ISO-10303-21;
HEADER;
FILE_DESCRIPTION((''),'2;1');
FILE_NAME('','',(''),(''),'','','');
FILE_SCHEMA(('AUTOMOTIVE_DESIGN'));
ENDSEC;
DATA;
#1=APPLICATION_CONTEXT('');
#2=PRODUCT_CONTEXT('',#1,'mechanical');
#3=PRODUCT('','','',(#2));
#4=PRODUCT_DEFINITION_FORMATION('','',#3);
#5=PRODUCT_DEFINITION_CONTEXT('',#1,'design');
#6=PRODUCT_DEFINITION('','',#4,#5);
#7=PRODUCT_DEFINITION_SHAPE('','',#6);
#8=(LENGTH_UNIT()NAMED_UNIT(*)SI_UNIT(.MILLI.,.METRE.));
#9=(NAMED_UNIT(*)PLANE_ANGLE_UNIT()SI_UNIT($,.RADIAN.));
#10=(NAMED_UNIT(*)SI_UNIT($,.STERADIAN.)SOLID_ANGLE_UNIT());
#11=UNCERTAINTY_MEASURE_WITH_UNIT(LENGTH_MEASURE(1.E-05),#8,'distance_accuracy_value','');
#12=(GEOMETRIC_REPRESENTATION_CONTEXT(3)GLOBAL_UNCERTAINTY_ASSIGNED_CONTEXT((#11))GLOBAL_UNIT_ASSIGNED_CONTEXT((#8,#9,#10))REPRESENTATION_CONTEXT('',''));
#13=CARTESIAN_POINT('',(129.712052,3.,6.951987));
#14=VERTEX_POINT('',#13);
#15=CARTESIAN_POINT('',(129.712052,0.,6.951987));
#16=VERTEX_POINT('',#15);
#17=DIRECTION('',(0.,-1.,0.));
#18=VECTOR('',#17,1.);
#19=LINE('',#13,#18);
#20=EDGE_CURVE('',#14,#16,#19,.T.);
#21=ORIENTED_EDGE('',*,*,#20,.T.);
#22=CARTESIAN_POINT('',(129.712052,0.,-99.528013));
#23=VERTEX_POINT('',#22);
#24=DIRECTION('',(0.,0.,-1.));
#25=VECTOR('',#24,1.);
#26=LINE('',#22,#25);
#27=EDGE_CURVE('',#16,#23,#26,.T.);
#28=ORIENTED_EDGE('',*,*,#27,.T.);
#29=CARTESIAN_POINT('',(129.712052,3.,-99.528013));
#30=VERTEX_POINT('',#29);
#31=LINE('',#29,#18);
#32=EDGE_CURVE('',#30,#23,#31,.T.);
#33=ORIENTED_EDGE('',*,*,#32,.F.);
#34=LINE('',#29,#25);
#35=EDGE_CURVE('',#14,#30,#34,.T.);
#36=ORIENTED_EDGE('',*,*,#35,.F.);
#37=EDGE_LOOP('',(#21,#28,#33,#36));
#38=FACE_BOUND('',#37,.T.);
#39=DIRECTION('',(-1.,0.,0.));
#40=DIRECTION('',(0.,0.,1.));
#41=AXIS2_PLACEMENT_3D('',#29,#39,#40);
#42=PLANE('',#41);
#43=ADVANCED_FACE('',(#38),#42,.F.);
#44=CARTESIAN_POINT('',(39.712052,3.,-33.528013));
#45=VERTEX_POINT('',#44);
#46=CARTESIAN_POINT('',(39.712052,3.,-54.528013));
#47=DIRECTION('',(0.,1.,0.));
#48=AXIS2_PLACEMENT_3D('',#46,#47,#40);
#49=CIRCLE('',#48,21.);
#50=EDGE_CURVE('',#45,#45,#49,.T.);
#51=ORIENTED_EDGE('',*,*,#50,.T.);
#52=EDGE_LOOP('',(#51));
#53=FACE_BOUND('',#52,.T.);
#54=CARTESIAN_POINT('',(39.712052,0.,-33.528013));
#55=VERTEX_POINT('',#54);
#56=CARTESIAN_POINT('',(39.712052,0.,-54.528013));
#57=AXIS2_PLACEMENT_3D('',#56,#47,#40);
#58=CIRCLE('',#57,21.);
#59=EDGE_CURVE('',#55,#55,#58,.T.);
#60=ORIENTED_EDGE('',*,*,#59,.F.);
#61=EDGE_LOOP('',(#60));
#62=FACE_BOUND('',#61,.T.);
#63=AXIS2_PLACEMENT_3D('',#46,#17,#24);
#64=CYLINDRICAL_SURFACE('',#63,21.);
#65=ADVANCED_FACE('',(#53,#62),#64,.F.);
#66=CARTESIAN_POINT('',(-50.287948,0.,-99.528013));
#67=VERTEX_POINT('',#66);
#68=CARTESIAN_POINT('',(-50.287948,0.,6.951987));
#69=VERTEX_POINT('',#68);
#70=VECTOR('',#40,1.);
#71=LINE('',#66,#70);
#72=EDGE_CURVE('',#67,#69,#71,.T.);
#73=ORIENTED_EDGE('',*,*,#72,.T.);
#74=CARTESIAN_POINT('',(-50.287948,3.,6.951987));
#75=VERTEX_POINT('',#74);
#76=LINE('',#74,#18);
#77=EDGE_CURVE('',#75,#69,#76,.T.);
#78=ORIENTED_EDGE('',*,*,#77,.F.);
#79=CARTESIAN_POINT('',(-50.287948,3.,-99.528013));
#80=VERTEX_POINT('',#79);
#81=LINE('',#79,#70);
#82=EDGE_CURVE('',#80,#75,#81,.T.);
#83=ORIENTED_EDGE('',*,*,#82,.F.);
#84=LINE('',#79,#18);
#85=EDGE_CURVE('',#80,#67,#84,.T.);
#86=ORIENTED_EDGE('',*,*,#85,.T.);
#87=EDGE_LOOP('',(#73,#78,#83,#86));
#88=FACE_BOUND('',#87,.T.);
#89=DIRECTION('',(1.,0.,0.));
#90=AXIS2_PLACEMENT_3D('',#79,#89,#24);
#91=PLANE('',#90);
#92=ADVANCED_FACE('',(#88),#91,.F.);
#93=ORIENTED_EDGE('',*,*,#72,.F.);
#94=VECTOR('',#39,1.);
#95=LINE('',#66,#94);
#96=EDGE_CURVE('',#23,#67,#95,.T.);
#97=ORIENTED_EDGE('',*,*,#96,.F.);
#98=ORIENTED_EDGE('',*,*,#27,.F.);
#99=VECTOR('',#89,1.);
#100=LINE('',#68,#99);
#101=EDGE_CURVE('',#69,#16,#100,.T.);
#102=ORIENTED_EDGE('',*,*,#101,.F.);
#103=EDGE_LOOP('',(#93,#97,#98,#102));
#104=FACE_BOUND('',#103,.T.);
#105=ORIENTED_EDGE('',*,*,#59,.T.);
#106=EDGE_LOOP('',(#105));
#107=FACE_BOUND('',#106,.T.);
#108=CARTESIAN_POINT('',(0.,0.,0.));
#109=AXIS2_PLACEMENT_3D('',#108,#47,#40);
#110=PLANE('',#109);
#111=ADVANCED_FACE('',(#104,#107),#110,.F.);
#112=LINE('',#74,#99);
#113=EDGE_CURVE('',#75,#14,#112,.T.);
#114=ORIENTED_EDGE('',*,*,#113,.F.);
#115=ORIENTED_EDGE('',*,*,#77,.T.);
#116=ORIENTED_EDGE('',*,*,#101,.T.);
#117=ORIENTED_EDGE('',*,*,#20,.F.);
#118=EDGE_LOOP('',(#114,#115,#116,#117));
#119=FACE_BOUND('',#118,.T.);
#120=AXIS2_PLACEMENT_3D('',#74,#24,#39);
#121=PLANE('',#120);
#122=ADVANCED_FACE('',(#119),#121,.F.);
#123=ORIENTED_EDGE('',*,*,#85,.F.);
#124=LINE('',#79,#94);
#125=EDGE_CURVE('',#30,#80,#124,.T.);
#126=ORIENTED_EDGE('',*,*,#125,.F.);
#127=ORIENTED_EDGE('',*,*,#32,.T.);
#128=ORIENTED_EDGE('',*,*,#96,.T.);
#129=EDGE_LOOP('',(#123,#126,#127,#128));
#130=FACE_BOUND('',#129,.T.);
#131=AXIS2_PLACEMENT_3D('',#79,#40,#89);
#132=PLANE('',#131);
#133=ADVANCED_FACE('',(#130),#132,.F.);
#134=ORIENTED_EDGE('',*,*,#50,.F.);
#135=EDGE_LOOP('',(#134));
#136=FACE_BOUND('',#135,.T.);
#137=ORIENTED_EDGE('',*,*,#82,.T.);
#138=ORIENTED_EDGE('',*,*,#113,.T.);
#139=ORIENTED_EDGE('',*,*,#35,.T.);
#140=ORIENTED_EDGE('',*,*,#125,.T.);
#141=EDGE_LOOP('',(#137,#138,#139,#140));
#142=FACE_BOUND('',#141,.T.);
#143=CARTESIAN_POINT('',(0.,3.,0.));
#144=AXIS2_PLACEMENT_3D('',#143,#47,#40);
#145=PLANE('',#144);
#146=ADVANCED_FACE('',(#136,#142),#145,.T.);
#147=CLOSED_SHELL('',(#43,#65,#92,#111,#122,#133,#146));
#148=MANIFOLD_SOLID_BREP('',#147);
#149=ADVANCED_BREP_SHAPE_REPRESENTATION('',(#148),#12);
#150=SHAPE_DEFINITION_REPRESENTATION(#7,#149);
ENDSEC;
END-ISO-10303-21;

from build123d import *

# Parameters (mm, degrees)
SKETCH1_W           = 180
SKETCH1_H           = 106.48
SKETCH1_R           = 21
BOSS_EXTRUDE1_DEPTH = 3


with BuildPart() as part:
    # Sketch1 → Boss-Extrude1 (new body)
    with BuildSketch(Plane(origin=(0, 0, 0), x_dir=(1, 0, 0), z_dir=(0, 1, 0))):
        with Locations((39.712051829, 46.288013332)):
            Rectangle(SKETCH1_W, SKETCH1_H)
        with Locations((39.712051829, 54.528013332)):
            Circle(SKETCH1_R, mode=Mode.SUBTRACT)
    extrude(amount=BOSS_EXTRUDE1_DEPTH)


solid = part.part
